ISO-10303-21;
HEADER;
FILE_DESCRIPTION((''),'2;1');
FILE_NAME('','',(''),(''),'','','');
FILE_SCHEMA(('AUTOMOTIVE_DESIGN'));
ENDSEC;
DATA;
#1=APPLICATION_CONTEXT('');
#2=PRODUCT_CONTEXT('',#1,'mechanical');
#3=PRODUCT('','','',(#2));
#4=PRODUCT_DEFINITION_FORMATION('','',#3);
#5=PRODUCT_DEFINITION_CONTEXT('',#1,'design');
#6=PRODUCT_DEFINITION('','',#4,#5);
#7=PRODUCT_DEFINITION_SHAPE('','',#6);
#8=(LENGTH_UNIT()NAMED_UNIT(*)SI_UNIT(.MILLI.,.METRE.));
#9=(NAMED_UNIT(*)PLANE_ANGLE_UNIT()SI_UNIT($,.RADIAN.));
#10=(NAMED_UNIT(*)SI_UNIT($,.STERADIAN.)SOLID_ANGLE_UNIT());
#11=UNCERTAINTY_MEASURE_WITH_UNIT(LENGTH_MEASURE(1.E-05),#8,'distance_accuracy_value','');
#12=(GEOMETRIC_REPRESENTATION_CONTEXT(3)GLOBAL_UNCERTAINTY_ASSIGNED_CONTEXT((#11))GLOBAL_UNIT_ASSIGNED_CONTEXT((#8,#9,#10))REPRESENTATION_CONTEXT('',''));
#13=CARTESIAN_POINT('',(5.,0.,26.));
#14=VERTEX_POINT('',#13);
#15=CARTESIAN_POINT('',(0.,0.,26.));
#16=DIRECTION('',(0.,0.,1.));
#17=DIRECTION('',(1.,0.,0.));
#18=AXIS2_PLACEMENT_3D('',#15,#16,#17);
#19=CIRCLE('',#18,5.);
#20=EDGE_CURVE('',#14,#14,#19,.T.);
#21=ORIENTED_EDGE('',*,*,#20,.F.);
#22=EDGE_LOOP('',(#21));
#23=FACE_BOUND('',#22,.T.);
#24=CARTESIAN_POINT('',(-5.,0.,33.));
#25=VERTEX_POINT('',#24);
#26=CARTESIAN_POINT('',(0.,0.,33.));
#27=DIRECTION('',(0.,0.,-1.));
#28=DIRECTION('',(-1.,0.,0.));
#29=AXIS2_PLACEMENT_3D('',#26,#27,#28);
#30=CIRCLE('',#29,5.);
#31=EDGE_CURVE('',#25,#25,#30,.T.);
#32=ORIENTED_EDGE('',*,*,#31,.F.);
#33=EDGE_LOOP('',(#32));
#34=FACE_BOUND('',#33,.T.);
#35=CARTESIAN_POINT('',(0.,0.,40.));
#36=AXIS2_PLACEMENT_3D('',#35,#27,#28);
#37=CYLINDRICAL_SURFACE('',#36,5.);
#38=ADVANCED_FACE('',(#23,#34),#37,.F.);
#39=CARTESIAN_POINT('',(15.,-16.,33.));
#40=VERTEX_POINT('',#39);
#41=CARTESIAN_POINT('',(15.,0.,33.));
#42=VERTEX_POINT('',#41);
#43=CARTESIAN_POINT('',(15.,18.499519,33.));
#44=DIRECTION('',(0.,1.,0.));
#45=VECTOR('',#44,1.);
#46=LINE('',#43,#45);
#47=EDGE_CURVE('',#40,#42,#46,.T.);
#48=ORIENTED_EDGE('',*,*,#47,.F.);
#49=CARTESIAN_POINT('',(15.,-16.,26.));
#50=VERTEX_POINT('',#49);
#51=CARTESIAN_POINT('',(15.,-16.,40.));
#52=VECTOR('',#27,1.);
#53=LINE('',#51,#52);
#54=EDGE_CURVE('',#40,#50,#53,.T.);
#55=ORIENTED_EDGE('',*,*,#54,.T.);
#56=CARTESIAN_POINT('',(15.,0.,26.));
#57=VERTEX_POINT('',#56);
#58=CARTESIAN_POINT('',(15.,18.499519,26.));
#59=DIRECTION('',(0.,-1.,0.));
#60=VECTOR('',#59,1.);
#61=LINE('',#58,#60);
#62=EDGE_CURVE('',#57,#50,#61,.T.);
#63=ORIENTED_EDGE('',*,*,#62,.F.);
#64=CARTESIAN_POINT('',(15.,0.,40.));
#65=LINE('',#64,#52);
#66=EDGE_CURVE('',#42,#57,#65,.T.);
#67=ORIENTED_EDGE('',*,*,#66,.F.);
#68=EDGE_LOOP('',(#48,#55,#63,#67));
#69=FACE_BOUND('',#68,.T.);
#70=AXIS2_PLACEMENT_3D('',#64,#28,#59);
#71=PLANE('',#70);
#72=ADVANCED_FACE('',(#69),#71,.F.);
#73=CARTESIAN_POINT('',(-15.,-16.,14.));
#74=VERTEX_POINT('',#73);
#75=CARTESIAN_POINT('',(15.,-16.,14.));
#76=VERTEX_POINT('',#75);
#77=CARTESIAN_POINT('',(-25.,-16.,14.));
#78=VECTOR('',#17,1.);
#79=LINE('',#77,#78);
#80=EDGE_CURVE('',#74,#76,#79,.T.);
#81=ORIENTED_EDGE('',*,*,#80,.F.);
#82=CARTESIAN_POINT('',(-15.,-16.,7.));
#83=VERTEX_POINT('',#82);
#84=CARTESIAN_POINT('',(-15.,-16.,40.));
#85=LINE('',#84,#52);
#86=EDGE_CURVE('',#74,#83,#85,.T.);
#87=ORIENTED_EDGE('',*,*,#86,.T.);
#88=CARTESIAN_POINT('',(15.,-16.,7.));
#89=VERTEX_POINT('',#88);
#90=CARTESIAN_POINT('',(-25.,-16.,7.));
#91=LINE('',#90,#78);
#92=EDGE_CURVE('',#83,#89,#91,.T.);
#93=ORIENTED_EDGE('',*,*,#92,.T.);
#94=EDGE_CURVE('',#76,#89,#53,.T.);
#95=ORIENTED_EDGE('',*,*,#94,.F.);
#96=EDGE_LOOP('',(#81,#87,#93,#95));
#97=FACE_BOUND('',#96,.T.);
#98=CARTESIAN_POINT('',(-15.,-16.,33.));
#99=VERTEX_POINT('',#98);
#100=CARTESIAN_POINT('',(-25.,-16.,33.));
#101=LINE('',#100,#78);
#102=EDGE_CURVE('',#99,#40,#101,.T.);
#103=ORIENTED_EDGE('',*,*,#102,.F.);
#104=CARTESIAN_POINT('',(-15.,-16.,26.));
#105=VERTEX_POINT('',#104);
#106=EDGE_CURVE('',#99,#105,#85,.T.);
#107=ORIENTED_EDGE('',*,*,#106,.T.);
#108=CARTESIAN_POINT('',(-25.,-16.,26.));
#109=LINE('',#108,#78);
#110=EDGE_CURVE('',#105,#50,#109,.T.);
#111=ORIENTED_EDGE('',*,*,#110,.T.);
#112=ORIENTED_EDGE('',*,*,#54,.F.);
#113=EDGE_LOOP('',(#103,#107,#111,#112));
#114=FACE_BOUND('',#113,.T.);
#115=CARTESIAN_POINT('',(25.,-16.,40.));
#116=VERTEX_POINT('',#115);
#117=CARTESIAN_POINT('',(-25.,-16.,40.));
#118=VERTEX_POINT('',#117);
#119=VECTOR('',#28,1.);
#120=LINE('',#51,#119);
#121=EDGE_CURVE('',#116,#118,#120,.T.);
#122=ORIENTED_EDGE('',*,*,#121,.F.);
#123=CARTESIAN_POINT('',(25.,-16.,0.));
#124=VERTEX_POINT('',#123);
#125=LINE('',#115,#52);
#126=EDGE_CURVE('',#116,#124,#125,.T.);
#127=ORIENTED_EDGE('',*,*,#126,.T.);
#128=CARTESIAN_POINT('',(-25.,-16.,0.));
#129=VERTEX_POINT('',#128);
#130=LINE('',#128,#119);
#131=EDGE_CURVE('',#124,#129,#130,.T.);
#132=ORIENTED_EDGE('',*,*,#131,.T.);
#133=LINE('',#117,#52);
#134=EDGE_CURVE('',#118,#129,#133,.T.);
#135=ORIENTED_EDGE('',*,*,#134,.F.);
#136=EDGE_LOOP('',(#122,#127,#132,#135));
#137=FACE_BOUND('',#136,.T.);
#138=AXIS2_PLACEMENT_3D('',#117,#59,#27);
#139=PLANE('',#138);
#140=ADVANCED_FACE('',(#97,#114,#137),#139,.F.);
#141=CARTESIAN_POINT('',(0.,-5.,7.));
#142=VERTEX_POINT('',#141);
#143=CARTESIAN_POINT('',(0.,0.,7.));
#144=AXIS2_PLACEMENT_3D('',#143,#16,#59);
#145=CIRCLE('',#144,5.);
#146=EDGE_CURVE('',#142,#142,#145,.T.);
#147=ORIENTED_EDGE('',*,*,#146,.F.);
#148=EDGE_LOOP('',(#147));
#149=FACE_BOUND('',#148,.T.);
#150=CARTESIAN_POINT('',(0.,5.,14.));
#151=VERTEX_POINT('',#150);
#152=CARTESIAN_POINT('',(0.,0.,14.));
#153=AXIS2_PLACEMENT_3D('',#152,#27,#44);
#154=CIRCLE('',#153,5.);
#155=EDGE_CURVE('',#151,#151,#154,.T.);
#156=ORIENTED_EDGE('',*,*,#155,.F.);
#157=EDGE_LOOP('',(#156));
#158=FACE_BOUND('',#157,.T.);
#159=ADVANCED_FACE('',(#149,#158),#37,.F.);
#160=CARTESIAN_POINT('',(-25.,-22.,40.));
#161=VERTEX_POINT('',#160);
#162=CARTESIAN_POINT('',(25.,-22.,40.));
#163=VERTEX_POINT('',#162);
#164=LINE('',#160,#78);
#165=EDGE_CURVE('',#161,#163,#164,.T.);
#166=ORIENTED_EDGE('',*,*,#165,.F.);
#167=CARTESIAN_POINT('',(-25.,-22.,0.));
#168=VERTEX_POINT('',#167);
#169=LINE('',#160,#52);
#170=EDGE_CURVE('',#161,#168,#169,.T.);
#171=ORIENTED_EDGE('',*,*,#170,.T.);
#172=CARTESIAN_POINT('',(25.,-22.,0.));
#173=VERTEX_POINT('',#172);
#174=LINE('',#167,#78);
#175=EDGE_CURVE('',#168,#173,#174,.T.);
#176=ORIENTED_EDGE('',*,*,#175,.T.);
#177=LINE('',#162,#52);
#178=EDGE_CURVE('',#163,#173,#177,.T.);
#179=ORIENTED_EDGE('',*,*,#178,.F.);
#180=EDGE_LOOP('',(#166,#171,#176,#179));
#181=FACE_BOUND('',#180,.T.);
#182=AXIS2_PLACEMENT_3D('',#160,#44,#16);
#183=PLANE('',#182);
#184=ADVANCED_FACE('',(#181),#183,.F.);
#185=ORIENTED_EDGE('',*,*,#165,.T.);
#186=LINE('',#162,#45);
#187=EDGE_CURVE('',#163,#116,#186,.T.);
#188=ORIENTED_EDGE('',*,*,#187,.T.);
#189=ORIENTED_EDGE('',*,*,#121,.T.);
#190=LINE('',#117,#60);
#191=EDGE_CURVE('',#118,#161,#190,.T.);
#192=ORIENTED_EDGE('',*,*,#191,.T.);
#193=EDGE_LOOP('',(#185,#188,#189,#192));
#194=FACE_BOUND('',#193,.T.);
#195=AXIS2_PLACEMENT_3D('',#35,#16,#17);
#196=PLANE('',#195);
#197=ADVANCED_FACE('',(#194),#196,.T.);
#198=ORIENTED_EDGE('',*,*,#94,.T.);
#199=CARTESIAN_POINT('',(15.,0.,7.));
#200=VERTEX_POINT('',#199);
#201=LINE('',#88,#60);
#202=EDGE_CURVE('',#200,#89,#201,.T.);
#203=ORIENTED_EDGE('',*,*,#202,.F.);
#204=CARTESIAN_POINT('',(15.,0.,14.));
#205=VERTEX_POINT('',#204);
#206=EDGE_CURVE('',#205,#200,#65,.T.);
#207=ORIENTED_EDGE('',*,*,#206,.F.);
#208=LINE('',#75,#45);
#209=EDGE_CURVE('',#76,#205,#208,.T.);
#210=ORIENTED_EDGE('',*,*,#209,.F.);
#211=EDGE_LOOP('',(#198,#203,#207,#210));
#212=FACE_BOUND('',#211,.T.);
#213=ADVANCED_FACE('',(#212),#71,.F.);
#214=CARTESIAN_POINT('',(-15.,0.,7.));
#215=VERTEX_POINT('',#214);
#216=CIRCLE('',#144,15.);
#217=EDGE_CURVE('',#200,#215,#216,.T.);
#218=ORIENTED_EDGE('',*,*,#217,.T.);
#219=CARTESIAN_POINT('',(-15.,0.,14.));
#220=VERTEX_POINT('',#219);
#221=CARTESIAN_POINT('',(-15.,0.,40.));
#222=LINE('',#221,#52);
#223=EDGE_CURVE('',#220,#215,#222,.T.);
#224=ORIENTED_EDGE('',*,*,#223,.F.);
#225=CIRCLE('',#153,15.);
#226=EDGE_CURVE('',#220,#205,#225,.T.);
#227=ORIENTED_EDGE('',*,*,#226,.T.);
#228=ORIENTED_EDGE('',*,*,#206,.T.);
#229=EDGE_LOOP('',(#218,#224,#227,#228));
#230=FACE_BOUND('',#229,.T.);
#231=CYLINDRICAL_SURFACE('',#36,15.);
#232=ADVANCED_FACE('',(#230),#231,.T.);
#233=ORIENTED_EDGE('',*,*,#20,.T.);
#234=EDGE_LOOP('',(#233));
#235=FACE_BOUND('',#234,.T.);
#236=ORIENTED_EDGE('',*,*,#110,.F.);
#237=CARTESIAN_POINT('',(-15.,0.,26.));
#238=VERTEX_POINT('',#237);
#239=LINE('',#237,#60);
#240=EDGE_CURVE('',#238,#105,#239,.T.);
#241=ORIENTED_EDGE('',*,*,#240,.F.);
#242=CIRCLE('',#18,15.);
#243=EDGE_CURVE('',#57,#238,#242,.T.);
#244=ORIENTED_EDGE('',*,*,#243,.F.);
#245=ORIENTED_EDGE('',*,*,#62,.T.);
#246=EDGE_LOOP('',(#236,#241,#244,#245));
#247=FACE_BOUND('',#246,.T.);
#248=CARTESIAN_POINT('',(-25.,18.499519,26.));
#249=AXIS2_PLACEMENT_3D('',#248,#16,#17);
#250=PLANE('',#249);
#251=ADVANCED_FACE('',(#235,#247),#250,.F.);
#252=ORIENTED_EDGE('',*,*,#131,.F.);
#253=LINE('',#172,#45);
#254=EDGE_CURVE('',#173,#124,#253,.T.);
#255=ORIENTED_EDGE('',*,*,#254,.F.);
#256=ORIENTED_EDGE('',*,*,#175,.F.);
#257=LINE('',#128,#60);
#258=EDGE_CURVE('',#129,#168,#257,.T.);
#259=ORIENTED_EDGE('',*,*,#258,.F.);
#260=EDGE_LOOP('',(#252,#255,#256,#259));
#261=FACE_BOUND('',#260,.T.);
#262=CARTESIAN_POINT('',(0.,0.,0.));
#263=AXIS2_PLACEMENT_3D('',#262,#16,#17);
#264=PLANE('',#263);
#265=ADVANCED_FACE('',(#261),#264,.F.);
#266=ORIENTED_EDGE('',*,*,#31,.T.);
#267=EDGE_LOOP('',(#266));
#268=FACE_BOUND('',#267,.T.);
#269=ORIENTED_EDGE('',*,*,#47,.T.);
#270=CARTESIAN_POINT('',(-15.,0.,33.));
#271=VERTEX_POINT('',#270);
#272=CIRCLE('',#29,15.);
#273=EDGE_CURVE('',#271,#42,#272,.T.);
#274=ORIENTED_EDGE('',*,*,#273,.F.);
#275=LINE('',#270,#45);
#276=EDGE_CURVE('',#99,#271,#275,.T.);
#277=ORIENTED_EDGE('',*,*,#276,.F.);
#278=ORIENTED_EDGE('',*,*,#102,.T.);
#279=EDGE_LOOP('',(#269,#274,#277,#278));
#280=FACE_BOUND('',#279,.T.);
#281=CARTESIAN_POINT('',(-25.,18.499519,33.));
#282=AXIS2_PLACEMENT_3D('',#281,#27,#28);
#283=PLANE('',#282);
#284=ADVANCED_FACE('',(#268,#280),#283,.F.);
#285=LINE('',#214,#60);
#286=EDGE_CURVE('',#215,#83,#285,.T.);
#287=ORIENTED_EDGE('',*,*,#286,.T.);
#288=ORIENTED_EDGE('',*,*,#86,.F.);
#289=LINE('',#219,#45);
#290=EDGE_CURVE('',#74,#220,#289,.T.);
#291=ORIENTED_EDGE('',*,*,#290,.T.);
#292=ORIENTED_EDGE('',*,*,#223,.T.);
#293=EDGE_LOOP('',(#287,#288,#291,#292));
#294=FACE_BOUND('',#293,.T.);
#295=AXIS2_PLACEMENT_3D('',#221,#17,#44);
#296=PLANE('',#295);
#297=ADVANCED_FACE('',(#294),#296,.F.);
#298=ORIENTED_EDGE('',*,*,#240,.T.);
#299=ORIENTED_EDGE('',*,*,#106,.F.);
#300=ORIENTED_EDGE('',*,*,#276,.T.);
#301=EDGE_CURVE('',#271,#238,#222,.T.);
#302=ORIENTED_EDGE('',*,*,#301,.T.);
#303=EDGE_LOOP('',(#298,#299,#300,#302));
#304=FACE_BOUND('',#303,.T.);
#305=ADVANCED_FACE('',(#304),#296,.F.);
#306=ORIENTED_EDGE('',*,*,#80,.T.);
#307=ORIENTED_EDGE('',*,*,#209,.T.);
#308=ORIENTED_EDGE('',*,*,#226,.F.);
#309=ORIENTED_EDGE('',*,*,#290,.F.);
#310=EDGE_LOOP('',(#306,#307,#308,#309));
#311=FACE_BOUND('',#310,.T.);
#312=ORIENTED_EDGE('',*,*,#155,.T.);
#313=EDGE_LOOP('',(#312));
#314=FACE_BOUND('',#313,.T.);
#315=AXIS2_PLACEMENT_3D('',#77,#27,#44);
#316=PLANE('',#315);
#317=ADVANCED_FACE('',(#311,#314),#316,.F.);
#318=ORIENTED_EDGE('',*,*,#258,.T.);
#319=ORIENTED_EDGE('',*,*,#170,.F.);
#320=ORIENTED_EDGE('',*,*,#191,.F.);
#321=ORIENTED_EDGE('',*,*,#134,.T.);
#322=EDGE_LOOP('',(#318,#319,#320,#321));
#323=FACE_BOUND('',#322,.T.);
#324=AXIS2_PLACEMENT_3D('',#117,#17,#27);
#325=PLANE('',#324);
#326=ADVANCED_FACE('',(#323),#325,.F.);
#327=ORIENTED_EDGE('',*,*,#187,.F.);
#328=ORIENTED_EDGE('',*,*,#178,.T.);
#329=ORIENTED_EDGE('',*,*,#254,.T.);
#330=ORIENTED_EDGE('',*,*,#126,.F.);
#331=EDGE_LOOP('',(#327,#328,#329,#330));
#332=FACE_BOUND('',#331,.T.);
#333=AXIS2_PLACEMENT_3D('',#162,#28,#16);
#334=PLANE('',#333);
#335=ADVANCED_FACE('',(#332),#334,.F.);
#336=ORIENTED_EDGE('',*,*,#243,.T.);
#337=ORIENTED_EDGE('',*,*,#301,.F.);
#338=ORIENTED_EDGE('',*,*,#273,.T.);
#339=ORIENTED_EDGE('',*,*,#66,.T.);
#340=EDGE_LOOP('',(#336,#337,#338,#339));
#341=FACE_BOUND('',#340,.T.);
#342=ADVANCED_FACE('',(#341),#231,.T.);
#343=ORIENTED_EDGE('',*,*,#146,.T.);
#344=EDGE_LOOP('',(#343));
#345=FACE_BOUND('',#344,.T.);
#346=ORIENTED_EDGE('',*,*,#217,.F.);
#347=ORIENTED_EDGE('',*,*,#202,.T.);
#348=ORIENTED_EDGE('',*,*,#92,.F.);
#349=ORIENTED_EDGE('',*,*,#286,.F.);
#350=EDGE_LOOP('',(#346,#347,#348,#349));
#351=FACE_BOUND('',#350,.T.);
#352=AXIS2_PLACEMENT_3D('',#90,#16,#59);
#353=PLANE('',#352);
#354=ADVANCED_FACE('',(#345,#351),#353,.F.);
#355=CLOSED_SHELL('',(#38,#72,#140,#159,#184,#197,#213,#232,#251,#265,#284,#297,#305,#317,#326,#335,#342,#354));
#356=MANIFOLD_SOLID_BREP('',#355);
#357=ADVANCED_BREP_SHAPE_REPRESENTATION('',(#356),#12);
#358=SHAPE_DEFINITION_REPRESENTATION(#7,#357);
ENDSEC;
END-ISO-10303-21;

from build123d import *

# Parameters (mm, degrees)
SKETCH1_R          = 5
EXTRUDE1_DEPTH     = 40
SKETCH2_W          = 7
SKETCH2_H          = 34.499518557
SKETCH2_W_2        = 12
CUT_EXTRUDE1_DEPTH = 40


with BuildPart() as part:
    # Sketch1 → Extrude1 (new body)
    with BuildSketch(Plane.XY):
        with BuildLine():
            Line((15, -16), (25, -16))
            Line((25, -16), (25, -22))
            Line((25, -22), (-25, -22))
            Line((-25, -22), (-25, -16))
            Line((-25, -16), (-15, -16))
            Line((-15, -16), (-15, 0))
            ThreePointArc((-15, 0), (0, 15), (15, 0))
            Line((15, 0), (15, -16))
        make_face()
        Circle(SKETCH1_R, mode=Mode.SUBTRACT)
    extrude(amount=EXTRUDE1_DEPTH)

    # Sketch2 → Cut-Extrude1 (cut)
    with BuildSketch(Plane(origin=(15, 0, 0), x_dir=(0, 0, -1), z_dir=(1, 0, 0))):
        with Locations((-36.5, 1.249759279)):
            Rectangle(SKETCH2_W, SKETCH2_H)
        with Locations((-3.5, 1.249759279)):
            Rectangle(SKETCH2_W, SKETCH2_H)
        with Locations((-20, 1.249759279)):
            Rectangle(SKETCH2_W_2, SKETCH2_H)
    extrude(amount=-CUT_EXTRUDE1_DEPTH, mode=Mode.SUBTRACT)


solid = part.part
